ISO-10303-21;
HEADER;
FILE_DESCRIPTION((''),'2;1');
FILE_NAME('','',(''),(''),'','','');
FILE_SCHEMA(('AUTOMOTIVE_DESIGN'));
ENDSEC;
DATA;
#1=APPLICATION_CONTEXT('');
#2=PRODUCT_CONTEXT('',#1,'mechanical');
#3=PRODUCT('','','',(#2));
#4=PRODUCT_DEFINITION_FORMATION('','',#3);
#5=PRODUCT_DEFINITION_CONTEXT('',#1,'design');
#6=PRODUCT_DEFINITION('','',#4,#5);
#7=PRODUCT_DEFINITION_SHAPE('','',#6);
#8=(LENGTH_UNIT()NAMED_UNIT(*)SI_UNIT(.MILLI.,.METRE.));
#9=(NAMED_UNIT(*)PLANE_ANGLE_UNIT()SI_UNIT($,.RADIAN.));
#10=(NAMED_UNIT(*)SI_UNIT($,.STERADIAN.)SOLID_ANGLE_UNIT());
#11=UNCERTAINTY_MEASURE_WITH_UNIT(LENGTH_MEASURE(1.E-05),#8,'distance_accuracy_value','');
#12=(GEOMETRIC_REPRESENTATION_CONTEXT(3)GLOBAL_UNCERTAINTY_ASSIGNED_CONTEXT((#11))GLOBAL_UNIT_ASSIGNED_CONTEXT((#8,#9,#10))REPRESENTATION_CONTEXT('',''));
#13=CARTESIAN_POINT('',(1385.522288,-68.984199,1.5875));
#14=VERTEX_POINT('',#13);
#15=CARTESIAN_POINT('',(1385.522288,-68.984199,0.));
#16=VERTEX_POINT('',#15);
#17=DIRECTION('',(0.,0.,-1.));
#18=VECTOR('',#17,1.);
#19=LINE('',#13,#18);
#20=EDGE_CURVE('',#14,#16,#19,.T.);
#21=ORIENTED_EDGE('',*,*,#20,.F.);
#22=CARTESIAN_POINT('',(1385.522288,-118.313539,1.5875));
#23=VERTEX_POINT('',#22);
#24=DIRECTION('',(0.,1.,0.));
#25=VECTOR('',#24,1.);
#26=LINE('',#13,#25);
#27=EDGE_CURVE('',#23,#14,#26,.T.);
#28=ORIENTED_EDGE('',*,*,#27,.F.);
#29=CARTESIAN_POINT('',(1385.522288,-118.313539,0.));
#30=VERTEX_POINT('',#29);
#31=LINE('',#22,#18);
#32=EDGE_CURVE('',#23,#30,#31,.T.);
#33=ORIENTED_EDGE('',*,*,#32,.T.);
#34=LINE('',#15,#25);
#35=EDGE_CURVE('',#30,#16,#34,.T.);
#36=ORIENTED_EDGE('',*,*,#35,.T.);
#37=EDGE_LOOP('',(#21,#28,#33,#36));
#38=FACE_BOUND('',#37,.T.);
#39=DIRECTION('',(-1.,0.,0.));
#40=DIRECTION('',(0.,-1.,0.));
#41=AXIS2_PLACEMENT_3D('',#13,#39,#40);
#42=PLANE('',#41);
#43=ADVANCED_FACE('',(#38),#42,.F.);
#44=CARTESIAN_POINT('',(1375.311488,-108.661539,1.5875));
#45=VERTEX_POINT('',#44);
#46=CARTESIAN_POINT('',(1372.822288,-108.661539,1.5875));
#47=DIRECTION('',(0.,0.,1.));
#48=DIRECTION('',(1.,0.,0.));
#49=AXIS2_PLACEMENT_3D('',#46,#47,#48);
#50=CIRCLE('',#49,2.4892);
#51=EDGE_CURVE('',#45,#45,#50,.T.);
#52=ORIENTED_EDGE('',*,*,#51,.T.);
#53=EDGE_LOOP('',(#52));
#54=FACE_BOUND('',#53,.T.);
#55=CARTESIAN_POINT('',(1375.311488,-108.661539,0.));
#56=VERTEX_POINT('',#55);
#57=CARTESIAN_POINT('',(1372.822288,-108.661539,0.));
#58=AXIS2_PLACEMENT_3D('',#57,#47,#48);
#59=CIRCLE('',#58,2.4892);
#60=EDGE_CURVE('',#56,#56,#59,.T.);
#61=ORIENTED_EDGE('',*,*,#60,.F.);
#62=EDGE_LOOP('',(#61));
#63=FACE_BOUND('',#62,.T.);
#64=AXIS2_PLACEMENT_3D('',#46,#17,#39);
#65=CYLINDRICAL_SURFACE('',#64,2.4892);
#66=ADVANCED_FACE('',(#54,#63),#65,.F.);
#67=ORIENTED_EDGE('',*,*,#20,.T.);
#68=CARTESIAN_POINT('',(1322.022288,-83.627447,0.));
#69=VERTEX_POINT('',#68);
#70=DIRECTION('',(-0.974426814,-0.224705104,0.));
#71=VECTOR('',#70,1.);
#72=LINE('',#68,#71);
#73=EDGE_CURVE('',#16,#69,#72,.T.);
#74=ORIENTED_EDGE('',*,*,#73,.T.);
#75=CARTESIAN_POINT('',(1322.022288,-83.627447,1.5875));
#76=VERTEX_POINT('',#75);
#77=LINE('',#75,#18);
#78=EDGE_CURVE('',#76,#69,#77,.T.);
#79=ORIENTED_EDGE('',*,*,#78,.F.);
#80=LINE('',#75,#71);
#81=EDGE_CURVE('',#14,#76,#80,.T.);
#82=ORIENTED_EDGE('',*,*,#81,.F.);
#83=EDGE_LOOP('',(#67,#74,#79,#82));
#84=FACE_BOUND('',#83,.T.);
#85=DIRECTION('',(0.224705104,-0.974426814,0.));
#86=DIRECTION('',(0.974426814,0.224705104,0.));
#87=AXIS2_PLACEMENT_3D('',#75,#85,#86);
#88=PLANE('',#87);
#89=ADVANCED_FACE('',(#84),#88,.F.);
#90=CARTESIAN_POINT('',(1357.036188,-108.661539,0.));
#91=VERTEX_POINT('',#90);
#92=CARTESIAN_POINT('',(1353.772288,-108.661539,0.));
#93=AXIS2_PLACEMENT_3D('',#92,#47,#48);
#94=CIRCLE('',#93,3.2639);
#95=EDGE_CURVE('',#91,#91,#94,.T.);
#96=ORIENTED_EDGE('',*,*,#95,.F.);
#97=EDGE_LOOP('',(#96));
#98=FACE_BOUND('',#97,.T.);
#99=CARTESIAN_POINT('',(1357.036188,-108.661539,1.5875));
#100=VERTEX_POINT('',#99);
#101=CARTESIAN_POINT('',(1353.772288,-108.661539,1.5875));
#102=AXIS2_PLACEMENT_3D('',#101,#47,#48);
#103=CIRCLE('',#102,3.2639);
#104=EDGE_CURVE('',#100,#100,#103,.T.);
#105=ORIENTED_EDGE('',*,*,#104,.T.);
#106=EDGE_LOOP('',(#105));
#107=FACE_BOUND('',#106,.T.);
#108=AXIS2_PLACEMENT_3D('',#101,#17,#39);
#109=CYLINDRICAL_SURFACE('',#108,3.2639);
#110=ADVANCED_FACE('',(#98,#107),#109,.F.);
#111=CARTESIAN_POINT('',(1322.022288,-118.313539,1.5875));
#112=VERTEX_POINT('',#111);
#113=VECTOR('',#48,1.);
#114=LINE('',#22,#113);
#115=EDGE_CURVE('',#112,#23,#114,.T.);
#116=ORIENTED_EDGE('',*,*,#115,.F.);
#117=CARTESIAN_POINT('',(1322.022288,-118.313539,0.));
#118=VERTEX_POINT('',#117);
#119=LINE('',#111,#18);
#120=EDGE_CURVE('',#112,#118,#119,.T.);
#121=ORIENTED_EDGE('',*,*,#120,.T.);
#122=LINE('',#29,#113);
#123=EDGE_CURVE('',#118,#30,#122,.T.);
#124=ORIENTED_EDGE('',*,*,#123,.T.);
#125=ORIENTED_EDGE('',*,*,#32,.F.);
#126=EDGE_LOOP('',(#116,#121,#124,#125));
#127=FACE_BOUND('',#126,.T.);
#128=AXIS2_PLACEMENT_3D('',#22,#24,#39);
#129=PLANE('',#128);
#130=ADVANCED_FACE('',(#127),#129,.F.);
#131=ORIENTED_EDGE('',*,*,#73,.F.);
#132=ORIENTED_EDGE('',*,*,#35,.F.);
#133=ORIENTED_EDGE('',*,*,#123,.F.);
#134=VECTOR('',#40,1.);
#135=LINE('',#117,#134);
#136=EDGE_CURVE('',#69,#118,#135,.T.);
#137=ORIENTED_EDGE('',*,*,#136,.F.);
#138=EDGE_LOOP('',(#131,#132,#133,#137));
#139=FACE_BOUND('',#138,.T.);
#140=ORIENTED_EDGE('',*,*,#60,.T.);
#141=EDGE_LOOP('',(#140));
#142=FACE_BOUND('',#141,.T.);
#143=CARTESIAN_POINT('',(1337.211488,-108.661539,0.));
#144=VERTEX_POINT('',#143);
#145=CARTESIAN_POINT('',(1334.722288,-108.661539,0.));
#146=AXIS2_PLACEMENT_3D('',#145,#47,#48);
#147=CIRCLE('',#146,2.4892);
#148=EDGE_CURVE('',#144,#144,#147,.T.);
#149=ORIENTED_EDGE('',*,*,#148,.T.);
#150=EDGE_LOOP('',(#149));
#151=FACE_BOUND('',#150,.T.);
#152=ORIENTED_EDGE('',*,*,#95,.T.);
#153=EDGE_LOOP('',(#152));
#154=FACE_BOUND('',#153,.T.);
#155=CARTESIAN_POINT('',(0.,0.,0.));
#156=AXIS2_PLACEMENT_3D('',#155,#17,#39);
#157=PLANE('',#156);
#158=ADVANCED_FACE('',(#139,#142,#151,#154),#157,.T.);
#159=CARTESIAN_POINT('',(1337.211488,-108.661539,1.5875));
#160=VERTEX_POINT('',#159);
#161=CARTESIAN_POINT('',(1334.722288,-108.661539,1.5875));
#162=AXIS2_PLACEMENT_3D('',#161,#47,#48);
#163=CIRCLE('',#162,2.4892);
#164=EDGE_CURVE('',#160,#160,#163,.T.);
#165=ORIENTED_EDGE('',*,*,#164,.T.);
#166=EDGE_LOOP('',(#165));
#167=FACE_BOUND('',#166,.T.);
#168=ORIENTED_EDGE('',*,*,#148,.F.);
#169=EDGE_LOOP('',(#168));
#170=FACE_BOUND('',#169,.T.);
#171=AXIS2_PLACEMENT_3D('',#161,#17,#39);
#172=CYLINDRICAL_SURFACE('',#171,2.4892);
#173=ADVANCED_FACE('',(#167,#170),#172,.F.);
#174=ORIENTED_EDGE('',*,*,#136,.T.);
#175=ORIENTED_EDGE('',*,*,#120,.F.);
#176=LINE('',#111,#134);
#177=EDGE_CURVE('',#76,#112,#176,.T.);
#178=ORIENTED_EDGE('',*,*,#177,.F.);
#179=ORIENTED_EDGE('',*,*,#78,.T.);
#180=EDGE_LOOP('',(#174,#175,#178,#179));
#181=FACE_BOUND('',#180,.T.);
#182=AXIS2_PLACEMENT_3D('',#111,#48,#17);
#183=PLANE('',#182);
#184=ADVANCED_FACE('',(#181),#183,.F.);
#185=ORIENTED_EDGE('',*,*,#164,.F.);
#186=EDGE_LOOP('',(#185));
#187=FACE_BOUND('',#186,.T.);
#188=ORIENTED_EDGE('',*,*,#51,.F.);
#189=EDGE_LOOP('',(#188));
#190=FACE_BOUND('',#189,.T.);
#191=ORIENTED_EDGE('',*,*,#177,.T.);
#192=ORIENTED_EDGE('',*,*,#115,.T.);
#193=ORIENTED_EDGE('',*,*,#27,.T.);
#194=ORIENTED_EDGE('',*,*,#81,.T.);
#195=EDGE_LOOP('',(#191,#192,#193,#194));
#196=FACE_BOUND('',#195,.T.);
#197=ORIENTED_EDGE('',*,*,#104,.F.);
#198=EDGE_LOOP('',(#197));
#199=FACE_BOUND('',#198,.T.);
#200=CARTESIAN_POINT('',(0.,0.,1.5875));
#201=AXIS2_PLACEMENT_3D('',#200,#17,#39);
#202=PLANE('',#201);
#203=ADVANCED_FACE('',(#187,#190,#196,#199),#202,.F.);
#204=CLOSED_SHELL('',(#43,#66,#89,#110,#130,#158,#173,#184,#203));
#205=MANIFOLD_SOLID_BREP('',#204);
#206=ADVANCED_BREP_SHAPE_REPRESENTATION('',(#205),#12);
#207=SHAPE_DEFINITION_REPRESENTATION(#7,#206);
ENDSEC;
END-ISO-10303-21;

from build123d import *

# Parameters (mm, degrees)
SKETCH1_R           = 2.4892
SKETCH1_R_2         = 3.2639
BOSS_EXTRUDE1_DEPTH = 1.5875


with BuildPart() as part:
    # Sketch1 → Boss-Extrude1 (new body)
    with BuildSketch(Plane.XY):
        Polygon((1385.522288463, -68.984198863), (1385.522288463, -118.313538863), (1322.022288463, -118.313538863), (1322.022288463, -83.627447474), align=None)
        with Locations((1334.722288463, -108.661538863)):
            Circle(SKETCH1_R, mode=Mode.SUBTRACT)
        with Locations((1372.822288463, -108.661538863)):
            Circle(SKETCH1_R, mode=Mode.SUBTRACT)
        with Locations((1353.772288463, -108.661538863)):
            Circle(SKETCH1_R_2, mode=Mode.SUBTRACT)
    extrude(amount=BOSS_EXTRUDE1_DEPTH)


solid = part.part
